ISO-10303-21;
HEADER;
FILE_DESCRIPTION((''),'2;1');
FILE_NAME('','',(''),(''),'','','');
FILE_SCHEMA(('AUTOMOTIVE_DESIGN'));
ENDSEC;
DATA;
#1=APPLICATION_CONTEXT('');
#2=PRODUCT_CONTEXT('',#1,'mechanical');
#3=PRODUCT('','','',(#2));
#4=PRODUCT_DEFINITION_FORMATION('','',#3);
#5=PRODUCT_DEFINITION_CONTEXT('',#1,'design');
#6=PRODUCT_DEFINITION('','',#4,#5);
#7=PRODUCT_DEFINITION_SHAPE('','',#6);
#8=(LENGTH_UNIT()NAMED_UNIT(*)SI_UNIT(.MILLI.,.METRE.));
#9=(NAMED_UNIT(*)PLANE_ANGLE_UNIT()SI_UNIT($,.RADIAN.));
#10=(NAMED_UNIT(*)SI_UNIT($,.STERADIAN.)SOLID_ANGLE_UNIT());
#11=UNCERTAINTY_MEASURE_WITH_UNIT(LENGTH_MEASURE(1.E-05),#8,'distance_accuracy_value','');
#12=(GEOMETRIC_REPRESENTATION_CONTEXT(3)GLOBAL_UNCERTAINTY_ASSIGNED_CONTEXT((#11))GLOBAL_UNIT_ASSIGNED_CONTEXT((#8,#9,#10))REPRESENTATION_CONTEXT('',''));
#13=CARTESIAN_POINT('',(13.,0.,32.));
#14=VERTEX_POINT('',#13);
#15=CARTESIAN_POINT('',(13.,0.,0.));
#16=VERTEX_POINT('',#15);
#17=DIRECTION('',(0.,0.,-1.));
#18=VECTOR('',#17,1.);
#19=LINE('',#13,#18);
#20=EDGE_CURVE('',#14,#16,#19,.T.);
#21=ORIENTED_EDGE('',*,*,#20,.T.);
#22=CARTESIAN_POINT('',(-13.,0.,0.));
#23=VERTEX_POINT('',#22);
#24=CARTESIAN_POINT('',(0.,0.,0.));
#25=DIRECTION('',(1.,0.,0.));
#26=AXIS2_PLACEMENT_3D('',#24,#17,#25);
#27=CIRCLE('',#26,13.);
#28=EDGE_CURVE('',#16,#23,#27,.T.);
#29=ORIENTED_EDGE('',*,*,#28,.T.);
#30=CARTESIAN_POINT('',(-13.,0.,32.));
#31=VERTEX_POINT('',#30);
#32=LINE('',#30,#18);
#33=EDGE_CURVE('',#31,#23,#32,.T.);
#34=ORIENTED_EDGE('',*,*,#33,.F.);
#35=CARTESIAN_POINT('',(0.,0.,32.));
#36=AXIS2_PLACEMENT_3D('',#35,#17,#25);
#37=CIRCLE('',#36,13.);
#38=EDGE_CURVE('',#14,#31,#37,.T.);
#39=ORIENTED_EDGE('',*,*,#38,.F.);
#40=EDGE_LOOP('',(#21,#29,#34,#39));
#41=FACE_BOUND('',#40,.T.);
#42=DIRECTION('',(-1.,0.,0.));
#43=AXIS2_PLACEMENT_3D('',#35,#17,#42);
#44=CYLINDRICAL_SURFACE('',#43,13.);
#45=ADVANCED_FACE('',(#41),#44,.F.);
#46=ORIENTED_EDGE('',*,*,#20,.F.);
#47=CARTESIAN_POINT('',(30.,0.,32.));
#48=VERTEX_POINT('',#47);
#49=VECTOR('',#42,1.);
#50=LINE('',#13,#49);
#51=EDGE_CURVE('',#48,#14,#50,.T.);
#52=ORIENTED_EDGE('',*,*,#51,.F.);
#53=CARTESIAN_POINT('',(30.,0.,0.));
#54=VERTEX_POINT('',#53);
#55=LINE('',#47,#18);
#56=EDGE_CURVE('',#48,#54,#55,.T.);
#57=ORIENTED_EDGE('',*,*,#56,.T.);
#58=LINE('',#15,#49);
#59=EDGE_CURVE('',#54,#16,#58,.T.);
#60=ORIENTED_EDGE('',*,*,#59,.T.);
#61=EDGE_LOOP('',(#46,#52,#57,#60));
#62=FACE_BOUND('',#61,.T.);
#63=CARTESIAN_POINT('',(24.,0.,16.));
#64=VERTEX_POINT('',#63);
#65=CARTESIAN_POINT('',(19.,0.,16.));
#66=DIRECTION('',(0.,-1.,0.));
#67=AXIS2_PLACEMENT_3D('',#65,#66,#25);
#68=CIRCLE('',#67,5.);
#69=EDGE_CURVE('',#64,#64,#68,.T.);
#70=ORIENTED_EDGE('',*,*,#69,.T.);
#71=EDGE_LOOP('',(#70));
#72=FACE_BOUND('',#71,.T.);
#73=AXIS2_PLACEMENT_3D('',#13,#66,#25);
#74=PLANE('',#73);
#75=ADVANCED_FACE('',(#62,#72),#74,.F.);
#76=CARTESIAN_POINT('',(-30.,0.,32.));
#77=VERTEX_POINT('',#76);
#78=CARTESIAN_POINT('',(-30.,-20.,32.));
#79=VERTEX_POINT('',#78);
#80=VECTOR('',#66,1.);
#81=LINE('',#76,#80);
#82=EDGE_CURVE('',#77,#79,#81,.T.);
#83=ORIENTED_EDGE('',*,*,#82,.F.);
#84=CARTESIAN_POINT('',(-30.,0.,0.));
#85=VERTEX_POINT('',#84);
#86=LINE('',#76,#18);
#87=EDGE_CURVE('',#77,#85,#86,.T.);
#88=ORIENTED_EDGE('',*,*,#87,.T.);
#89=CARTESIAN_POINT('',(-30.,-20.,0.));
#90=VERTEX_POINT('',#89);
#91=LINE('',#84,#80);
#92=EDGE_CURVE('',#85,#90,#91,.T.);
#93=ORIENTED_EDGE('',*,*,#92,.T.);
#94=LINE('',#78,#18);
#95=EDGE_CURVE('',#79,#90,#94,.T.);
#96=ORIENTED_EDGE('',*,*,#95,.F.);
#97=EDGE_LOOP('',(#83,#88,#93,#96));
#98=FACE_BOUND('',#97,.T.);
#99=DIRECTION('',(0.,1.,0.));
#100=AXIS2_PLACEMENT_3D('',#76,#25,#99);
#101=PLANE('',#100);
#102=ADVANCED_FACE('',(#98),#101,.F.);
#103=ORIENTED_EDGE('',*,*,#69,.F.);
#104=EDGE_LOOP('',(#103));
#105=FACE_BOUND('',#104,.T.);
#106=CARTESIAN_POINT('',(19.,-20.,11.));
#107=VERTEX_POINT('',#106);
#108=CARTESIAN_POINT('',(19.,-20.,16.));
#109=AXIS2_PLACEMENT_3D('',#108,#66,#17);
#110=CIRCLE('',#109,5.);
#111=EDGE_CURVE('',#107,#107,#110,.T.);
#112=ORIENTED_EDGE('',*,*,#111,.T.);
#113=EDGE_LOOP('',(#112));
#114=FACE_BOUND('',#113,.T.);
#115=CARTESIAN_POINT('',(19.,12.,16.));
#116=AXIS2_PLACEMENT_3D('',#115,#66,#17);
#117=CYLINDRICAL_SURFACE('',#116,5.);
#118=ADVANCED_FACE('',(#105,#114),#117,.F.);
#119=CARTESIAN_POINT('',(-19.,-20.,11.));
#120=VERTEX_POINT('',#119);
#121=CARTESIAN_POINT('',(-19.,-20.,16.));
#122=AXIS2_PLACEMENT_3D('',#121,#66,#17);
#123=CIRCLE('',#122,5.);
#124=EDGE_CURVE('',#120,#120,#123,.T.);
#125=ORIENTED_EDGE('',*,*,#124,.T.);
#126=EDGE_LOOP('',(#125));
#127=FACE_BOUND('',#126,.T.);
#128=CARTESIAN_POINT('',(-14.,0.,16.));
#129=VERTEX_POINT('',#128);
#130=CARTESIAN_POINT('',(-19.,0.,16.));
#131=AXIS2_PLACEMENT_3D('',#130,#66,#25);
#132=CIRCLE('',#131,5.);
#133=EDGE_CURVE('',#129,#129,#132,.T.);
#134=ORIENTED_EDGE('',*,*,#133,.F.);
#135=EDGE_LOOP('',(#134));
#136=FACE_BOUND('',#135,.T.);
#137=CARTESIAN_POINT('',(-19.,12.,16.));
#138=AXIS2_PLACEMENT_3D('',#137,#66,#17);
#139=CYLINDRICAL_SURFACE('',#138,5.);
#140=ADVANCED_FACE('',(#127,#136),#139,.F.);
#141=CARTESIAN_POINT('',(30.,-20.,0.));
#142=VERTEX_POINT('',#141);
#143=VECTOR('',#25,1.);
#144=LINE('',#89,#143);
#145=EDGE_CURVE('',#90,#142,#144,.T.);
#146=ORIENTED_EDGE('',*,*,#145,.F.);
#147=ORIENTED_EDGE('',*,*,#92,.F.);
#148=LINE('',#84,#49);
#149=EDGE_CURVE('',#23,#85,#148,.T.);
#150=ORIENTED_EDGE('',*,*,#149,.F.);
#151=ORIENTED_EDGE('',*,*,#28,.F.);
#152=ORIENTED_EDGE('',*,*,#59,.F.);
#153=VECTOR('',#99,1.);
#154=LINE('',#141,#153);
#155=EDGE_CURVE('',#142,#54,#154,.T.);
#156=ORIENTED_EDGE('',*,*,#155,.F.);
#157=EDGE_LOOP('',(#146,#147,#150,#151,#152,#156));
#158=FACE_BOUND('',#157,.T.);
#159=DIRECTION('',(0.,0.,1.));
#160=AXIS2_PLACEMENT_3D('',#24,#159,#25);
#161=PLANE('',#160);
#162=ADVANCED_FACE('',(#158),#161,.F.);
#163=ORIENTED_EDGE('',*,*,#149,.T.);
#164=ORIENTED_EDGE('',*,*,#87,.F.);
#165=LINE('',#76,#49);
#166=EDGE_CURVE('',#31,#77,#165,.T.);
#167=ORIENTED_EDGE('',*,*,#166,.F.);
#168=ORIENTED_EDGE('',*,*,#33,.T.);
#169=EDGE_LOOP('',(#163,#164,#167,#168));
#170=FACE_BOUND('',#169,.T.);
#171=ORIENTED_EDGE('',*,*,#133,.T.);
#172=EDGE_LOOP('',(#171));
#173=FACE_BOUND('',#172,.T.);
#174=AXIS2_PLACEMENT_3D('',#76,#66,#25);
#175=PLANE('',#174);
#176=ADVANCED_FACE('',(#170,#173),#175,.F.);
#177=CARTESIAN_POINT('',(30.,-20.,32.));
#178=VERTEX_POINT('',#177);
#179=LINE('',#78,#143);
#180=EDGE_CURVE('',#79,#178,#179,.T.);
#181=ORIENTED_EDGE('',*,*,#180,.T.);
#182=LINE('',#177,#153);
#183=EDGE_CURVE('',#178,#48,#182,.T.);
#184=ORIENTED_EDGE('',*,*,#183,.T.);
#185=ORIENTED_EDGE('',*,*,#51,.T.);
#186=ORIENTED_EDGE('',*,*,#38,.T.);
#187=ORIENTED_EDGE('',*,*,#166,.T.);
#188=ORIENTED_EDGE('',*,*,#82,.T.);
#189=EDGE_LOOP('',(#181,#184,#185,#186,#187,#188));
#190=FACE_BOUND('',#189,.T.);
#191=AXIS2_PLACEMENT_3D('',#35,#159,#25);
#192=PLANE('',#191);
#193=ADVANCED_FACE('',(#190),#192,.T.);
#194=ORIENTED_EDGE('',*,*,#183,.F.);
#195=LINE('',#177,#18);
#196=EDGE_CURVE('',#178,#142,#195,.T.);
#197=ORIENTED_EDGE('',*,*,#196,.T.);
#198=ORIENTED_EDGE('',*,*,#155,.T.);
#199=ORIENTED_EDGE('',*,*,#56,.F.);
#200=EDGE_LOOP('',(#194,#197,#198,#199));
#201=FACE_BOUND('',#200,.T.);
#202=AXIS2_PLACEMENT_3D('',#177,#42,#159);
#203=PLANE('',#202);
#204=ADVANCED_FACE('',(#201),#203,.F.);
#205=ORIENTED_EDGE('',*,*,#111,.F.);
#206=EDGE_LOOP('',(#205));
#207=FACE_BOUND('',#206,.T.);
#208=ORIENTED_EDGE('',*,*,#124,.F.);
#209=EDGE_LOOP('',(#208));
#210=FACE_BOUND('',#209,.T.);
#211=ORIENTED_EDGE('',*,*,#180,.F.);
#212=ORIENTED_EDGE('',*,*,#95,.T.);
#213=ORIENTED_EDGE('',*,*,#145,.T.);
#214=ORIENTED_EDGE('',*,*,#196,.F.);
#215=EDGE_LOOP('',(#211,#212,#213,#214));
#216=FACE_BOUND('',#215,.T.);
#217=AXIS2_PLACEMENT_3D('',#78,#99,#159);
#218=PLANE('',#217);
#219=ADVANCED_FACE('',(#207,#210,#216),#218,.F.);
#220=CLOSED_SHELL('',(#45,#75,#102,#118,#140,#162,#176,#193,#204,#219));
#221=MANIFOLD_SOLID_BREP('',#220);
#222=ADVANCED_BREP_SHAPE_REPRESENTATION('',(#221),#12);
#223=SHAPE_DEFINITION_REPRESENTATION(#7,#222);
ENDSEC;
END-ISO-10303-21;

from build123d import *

# Parameters (mm, degrees)
BOSS_EXTRUDE1_DEPTH = 32
SKETCH2_R           = 5
CUT_EXTRUDE1_DEPTH  = 32


with BuildPart() as part:
    # Sketch1 → Boss-Extrude1 (new body)
    with BuildSketch(Plane.XY):
        with BuildLine():
            Line((-30, 0), (-13, 0))
            ThreePointArc((-13, 0), (0, -13), (13, 0))
            Line((13, 0), (30, 0))
            Line((30, 0), (30, -20))
            Line((30, -20), (-30, -20))
            Line((-30, -20), (-30, 0))
        make_face()
    extrude(amount=BOSS_EXTRUDE1_DEPTH)

    # Sketch2 → Cut-Extrude1 (cut)
    with BuildSketch(Plane.XZ.offset(20)):
        with Locations(Location((-19, 16, 0), (0, 0, 270))):
            Circle(SKETCH2_R)
        with Locations(Location((19, 16, 0), (0, 0, 270))):
            Circle(SKETCH2_R)
    extrude(amount=-CUT_EXTRUDE1_DEPTH, mode=Mode.SUBTRACT)


solid = part.part
